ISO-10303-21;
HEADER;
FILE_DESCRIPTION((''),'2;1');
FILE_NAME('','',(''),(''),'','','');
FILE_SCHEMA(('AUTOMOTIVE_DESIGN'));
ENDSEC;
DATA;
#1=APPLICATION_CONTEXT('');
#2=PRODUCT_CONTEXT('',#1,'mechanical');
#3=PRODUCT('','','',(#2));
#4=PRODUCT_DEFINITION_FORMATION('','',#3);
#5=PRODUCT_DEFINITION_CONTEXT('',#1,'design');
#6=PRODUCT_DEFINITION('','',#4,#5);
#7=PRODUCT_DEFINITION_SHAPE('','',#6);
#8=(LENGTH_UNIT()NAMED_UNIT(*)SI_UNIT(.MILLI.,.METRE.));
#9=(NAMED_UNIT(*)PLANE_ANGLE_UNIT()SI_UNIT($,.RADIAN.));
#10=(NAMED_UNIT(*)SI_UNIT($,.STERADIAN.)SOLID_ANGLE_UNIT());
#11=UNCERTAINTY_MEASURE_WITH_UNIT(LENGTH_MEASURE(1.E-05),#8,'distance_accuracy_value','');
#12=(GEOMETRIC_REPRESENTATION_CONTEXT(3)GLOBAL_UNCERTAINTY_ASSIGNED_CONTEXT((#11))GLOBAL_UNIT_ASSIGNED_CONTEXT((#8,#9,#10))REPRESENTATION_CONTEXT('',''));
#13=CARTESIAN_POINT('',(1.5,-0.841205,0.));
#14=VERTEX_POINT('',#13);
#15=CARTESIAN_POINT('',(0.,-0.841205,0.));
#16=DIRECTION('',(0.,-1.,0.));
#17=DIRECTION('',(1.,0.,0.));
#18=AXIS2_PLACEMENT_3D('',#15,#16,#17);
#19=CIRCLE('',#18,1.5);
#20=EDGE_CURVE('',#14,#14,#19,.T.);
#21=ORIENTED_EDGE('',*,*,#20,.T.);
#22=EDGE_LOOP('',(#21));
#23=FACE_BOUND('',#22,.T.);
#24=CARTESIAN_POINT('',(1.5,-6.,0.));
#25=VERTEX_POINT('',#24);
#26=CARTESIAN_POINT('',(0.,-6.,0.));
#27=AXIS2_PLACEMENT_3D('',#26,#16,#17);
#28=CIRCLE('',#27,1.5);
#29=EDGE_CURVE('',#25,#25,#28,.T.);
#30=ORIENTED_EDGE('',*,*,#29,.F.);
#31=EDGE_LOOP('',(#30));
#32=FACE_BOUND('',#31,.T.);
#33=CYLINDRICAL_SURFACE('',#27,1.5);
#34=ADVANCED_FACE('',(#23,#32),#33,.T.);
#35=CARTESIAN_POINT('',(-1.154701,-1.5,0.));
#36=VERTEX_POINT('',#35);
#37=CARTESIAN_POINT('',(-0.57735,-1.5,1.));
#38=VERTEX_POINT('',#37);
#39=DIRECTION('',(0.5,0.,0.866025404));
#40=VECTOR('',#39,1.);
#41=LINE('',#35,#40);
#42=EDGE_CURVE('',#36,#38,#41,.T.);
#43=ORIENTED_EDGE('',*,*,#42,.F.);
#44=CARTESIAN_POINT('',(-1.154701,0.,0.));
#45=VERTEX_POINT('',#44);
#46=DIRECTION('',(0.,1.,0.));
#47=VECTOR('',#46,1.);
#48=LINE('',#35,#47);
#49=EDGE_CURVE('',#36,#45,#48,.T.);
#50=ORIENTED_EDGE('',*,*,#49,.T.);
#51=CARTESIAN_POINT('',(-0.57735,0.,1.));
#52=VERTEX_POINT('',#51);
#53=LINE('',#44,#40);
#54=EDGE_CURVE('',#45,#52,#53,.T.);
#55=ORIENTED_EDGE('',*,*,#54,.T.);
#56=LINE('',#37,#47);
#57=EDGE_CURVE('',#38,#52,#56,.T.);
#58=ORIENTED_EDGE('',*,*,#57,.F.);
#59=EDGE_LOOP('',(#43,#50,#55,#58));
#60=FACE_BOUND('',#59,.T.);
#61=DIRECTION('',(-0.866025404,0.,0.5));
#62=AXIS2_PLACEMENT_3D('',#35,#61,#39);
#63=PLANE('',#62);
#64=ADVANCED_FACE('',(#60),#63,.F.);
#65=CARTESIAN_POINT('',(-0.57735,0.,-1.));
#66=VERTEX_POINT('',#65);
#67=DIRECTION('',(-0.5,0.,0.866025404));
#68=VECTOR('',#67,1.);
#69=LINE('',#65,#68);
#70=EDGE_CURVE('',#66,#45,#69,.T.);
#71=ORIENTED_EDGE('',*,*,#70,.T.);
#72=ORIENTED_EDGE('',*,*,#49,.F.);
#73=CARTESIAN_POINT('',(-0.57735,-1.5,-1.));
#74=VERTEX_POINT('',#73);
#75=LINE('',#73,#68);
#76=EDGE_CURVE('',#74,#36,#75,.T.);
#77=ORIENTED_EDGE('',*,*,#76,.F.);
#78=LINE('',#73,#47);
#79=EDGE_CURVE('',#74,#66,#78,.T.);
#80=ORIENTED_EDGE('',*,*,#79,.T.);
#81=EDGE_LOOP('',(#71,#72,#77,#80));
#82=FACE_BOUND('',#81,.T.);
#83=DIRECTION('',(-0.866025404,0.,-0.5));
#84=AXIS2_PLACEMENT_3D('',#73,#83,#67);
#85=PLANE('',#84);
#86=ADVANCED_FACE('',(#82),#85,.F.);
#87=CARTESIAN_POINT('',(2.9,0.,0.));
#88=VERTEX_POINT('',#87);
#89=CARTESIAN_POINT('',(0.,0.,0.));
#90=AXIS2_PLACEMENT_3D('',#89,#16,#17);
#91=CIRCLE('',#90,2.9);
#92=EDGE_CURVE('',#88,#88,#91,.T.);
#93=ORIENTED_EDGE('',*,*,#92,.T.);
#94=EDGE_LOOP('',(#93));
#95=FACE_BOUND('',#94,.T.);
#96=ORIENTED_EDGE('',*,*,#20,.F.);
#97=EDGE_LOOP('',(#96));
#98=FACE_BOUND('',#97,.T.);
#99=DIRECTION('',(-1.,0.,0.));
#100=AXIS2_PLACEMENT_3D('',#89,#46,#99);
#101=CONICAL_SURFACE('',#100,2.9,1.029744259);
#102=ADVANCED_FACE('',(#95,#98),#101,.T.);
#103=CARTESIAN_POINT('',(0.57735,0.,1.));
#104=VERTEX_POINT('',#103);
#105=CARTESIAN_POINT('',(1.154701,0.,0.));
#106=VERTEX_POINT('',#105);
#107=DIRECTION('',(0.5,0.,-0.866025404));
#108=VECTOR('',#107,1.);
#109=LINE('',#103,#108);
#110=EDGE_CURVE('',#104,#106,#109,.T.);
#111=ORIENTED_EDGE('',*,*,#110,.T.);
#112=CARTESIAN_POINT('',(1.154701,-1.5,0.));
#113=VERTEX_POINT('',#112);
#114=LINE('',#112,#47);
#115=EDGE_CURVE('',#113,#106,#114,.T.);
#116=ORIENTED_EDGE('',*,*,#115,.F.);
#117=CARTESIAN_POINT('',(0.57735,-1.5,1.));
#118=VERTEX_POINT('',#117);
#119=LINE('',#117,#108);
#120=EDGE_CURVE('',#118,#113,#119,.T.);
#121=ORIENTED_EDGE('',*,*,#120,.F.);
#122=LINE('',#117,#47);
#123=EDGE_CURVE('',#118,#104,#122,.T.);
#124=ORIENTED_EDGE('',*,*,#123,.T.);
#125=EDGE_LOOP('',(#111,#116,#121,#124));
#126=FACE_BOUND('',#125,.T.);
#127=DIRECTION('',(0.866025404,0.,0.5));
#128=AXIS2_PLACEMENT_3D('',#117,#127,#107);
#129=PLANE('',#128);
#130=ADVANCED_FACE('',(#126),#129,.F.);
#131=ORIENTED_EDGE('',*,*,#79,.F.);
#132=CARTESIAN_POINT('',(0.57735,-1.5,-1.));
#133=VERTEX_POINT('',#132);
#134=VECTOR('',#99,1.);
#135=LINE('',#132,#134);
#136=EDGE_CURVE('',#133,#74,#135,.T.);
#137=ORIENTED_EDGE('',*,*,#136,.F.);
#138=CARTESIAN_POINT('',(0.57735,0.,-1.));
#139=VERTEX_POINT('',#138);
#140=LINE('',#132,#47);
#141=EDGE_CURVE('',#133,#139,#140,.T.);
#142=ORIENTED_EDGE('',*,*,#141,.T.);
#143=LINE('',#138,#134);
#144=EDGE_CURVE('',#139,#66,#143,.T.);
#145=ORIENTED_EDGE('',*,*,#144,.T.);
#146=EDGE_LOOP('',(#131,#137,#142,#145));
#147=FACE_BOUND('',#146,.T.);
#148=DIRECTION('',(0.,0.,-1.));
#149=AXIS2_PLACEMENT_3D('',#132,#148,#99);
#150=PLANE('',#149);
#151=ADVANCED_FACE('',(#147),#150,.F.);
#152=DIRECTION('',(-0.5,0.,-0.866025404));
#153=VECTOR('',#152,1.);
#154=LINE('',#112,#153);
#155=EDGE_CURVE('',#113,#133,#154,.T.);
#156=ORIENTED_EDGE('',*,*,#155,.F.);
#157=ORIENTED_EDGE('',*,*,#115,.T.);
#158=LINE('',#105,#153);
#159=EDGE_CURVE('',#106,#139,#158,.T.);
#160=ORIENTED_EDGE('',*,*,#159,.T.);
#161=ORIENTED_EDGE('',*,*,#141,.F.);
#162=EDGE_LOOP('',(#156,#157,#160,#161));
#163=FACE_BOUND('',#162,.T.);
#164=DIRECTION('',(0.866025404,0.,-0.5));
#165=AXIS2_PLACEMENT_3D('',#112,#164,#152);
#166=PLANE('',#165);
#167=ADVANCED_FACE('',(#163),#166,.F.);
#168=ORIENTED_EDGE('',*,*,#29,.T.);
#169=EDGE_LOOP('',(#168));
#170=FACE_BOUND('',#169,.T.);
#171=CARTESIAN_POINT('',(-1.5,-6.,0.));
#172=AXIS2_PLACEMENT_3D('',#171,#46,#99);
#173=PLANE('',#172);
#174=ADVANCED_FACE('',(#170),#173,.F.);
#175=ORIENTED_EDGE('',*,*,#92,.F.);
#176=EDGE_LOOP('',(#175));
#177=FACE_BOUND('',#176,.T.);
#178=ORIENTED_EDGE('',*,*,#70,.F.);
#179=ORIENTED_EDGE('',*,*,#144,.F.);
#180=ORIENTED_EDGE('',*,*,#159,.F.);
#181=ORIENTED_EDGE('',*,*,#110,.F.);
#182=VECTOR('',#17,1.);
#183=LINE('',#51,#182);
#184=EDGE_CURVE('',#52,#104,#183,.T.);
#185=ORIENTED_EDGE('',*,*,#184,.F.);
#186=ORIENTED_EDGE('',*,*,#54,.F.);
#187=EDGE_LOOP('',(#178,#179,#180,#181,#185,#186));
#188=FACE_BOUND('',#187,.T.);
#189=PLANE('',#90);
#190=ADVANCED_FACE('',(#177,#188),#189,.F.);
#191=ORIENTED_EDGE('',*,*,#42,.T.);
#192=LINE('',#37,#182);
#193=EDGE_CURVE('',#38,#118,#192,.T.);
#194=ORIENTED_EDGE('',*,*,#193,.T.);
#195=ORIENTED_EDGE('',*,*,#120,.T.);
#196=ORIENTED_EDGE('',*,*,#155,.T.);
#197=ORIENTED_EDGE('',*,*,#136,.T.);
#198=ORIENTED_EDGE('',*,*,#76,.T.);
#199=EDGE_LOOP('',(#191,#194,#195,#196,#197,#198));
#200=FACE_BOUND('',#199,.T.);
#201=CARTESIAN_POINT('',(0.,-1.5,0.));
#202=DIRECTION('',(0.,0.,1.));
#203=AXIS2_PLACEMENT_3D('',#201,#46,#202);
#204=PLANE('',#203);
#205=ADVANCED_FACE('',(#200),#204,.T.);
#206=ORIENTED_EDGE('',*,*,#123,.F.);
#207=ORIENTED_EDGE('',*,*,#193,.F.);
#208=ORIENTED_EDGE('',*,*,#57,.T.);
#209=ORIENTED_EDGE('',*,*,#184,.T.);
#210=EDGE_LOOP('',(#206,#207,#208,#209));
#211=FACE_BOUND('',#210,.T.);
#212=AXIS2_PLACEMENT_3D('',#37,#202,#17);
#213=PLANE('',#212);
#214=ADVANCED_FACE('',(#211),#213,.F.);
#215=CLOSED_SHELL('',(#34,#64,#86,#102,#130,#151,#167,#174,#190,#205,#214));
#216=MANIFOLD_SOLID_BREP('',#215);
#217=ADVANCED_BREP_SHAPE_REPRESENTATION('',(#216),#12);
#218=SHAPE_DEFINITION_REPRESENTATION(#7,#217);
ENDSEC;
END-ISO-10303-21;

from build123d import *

# Parameters (mm, degrees)
CUT_EXTRUDE1_DEPTH = 1.5


with BuildPart() as part:
    # Sketch1 → Revolve1 (revolve)
    with BuildSketch(Plane.XY, mode=Mode.PRIVATE) as revolve1_sk:
        Polygon((0, 0), (-2.9, 0), (-1.5, -0.841204867), (-1.5, -6), (0, -6), align=None)
    revolve(revolve1_sk.sketch.rotate(Axis((0, -6, 0), (0, 1, 0)), 180), axis=Axis((0, -6, 0), (0, 1, 0)))

    # Sketch2 → Cut-Extrude1 (cut)
    with BuildSketch(Plane(origin=(0, 0, 0), x_dir=(1, 0, 0), z_dir=(0, 1, 0))):
        Polygon((0.577350269, 1), (-0.577350269, 1), (-1.154700538, 0), (-0.577350269, -1), (0.577350269, -1), (1.154700538, 0), align=None)
    extrude(amount=-CUT_EXTRUDE1_DEPTH, mode=Mode.SUBTRACT)


solid = part.part
